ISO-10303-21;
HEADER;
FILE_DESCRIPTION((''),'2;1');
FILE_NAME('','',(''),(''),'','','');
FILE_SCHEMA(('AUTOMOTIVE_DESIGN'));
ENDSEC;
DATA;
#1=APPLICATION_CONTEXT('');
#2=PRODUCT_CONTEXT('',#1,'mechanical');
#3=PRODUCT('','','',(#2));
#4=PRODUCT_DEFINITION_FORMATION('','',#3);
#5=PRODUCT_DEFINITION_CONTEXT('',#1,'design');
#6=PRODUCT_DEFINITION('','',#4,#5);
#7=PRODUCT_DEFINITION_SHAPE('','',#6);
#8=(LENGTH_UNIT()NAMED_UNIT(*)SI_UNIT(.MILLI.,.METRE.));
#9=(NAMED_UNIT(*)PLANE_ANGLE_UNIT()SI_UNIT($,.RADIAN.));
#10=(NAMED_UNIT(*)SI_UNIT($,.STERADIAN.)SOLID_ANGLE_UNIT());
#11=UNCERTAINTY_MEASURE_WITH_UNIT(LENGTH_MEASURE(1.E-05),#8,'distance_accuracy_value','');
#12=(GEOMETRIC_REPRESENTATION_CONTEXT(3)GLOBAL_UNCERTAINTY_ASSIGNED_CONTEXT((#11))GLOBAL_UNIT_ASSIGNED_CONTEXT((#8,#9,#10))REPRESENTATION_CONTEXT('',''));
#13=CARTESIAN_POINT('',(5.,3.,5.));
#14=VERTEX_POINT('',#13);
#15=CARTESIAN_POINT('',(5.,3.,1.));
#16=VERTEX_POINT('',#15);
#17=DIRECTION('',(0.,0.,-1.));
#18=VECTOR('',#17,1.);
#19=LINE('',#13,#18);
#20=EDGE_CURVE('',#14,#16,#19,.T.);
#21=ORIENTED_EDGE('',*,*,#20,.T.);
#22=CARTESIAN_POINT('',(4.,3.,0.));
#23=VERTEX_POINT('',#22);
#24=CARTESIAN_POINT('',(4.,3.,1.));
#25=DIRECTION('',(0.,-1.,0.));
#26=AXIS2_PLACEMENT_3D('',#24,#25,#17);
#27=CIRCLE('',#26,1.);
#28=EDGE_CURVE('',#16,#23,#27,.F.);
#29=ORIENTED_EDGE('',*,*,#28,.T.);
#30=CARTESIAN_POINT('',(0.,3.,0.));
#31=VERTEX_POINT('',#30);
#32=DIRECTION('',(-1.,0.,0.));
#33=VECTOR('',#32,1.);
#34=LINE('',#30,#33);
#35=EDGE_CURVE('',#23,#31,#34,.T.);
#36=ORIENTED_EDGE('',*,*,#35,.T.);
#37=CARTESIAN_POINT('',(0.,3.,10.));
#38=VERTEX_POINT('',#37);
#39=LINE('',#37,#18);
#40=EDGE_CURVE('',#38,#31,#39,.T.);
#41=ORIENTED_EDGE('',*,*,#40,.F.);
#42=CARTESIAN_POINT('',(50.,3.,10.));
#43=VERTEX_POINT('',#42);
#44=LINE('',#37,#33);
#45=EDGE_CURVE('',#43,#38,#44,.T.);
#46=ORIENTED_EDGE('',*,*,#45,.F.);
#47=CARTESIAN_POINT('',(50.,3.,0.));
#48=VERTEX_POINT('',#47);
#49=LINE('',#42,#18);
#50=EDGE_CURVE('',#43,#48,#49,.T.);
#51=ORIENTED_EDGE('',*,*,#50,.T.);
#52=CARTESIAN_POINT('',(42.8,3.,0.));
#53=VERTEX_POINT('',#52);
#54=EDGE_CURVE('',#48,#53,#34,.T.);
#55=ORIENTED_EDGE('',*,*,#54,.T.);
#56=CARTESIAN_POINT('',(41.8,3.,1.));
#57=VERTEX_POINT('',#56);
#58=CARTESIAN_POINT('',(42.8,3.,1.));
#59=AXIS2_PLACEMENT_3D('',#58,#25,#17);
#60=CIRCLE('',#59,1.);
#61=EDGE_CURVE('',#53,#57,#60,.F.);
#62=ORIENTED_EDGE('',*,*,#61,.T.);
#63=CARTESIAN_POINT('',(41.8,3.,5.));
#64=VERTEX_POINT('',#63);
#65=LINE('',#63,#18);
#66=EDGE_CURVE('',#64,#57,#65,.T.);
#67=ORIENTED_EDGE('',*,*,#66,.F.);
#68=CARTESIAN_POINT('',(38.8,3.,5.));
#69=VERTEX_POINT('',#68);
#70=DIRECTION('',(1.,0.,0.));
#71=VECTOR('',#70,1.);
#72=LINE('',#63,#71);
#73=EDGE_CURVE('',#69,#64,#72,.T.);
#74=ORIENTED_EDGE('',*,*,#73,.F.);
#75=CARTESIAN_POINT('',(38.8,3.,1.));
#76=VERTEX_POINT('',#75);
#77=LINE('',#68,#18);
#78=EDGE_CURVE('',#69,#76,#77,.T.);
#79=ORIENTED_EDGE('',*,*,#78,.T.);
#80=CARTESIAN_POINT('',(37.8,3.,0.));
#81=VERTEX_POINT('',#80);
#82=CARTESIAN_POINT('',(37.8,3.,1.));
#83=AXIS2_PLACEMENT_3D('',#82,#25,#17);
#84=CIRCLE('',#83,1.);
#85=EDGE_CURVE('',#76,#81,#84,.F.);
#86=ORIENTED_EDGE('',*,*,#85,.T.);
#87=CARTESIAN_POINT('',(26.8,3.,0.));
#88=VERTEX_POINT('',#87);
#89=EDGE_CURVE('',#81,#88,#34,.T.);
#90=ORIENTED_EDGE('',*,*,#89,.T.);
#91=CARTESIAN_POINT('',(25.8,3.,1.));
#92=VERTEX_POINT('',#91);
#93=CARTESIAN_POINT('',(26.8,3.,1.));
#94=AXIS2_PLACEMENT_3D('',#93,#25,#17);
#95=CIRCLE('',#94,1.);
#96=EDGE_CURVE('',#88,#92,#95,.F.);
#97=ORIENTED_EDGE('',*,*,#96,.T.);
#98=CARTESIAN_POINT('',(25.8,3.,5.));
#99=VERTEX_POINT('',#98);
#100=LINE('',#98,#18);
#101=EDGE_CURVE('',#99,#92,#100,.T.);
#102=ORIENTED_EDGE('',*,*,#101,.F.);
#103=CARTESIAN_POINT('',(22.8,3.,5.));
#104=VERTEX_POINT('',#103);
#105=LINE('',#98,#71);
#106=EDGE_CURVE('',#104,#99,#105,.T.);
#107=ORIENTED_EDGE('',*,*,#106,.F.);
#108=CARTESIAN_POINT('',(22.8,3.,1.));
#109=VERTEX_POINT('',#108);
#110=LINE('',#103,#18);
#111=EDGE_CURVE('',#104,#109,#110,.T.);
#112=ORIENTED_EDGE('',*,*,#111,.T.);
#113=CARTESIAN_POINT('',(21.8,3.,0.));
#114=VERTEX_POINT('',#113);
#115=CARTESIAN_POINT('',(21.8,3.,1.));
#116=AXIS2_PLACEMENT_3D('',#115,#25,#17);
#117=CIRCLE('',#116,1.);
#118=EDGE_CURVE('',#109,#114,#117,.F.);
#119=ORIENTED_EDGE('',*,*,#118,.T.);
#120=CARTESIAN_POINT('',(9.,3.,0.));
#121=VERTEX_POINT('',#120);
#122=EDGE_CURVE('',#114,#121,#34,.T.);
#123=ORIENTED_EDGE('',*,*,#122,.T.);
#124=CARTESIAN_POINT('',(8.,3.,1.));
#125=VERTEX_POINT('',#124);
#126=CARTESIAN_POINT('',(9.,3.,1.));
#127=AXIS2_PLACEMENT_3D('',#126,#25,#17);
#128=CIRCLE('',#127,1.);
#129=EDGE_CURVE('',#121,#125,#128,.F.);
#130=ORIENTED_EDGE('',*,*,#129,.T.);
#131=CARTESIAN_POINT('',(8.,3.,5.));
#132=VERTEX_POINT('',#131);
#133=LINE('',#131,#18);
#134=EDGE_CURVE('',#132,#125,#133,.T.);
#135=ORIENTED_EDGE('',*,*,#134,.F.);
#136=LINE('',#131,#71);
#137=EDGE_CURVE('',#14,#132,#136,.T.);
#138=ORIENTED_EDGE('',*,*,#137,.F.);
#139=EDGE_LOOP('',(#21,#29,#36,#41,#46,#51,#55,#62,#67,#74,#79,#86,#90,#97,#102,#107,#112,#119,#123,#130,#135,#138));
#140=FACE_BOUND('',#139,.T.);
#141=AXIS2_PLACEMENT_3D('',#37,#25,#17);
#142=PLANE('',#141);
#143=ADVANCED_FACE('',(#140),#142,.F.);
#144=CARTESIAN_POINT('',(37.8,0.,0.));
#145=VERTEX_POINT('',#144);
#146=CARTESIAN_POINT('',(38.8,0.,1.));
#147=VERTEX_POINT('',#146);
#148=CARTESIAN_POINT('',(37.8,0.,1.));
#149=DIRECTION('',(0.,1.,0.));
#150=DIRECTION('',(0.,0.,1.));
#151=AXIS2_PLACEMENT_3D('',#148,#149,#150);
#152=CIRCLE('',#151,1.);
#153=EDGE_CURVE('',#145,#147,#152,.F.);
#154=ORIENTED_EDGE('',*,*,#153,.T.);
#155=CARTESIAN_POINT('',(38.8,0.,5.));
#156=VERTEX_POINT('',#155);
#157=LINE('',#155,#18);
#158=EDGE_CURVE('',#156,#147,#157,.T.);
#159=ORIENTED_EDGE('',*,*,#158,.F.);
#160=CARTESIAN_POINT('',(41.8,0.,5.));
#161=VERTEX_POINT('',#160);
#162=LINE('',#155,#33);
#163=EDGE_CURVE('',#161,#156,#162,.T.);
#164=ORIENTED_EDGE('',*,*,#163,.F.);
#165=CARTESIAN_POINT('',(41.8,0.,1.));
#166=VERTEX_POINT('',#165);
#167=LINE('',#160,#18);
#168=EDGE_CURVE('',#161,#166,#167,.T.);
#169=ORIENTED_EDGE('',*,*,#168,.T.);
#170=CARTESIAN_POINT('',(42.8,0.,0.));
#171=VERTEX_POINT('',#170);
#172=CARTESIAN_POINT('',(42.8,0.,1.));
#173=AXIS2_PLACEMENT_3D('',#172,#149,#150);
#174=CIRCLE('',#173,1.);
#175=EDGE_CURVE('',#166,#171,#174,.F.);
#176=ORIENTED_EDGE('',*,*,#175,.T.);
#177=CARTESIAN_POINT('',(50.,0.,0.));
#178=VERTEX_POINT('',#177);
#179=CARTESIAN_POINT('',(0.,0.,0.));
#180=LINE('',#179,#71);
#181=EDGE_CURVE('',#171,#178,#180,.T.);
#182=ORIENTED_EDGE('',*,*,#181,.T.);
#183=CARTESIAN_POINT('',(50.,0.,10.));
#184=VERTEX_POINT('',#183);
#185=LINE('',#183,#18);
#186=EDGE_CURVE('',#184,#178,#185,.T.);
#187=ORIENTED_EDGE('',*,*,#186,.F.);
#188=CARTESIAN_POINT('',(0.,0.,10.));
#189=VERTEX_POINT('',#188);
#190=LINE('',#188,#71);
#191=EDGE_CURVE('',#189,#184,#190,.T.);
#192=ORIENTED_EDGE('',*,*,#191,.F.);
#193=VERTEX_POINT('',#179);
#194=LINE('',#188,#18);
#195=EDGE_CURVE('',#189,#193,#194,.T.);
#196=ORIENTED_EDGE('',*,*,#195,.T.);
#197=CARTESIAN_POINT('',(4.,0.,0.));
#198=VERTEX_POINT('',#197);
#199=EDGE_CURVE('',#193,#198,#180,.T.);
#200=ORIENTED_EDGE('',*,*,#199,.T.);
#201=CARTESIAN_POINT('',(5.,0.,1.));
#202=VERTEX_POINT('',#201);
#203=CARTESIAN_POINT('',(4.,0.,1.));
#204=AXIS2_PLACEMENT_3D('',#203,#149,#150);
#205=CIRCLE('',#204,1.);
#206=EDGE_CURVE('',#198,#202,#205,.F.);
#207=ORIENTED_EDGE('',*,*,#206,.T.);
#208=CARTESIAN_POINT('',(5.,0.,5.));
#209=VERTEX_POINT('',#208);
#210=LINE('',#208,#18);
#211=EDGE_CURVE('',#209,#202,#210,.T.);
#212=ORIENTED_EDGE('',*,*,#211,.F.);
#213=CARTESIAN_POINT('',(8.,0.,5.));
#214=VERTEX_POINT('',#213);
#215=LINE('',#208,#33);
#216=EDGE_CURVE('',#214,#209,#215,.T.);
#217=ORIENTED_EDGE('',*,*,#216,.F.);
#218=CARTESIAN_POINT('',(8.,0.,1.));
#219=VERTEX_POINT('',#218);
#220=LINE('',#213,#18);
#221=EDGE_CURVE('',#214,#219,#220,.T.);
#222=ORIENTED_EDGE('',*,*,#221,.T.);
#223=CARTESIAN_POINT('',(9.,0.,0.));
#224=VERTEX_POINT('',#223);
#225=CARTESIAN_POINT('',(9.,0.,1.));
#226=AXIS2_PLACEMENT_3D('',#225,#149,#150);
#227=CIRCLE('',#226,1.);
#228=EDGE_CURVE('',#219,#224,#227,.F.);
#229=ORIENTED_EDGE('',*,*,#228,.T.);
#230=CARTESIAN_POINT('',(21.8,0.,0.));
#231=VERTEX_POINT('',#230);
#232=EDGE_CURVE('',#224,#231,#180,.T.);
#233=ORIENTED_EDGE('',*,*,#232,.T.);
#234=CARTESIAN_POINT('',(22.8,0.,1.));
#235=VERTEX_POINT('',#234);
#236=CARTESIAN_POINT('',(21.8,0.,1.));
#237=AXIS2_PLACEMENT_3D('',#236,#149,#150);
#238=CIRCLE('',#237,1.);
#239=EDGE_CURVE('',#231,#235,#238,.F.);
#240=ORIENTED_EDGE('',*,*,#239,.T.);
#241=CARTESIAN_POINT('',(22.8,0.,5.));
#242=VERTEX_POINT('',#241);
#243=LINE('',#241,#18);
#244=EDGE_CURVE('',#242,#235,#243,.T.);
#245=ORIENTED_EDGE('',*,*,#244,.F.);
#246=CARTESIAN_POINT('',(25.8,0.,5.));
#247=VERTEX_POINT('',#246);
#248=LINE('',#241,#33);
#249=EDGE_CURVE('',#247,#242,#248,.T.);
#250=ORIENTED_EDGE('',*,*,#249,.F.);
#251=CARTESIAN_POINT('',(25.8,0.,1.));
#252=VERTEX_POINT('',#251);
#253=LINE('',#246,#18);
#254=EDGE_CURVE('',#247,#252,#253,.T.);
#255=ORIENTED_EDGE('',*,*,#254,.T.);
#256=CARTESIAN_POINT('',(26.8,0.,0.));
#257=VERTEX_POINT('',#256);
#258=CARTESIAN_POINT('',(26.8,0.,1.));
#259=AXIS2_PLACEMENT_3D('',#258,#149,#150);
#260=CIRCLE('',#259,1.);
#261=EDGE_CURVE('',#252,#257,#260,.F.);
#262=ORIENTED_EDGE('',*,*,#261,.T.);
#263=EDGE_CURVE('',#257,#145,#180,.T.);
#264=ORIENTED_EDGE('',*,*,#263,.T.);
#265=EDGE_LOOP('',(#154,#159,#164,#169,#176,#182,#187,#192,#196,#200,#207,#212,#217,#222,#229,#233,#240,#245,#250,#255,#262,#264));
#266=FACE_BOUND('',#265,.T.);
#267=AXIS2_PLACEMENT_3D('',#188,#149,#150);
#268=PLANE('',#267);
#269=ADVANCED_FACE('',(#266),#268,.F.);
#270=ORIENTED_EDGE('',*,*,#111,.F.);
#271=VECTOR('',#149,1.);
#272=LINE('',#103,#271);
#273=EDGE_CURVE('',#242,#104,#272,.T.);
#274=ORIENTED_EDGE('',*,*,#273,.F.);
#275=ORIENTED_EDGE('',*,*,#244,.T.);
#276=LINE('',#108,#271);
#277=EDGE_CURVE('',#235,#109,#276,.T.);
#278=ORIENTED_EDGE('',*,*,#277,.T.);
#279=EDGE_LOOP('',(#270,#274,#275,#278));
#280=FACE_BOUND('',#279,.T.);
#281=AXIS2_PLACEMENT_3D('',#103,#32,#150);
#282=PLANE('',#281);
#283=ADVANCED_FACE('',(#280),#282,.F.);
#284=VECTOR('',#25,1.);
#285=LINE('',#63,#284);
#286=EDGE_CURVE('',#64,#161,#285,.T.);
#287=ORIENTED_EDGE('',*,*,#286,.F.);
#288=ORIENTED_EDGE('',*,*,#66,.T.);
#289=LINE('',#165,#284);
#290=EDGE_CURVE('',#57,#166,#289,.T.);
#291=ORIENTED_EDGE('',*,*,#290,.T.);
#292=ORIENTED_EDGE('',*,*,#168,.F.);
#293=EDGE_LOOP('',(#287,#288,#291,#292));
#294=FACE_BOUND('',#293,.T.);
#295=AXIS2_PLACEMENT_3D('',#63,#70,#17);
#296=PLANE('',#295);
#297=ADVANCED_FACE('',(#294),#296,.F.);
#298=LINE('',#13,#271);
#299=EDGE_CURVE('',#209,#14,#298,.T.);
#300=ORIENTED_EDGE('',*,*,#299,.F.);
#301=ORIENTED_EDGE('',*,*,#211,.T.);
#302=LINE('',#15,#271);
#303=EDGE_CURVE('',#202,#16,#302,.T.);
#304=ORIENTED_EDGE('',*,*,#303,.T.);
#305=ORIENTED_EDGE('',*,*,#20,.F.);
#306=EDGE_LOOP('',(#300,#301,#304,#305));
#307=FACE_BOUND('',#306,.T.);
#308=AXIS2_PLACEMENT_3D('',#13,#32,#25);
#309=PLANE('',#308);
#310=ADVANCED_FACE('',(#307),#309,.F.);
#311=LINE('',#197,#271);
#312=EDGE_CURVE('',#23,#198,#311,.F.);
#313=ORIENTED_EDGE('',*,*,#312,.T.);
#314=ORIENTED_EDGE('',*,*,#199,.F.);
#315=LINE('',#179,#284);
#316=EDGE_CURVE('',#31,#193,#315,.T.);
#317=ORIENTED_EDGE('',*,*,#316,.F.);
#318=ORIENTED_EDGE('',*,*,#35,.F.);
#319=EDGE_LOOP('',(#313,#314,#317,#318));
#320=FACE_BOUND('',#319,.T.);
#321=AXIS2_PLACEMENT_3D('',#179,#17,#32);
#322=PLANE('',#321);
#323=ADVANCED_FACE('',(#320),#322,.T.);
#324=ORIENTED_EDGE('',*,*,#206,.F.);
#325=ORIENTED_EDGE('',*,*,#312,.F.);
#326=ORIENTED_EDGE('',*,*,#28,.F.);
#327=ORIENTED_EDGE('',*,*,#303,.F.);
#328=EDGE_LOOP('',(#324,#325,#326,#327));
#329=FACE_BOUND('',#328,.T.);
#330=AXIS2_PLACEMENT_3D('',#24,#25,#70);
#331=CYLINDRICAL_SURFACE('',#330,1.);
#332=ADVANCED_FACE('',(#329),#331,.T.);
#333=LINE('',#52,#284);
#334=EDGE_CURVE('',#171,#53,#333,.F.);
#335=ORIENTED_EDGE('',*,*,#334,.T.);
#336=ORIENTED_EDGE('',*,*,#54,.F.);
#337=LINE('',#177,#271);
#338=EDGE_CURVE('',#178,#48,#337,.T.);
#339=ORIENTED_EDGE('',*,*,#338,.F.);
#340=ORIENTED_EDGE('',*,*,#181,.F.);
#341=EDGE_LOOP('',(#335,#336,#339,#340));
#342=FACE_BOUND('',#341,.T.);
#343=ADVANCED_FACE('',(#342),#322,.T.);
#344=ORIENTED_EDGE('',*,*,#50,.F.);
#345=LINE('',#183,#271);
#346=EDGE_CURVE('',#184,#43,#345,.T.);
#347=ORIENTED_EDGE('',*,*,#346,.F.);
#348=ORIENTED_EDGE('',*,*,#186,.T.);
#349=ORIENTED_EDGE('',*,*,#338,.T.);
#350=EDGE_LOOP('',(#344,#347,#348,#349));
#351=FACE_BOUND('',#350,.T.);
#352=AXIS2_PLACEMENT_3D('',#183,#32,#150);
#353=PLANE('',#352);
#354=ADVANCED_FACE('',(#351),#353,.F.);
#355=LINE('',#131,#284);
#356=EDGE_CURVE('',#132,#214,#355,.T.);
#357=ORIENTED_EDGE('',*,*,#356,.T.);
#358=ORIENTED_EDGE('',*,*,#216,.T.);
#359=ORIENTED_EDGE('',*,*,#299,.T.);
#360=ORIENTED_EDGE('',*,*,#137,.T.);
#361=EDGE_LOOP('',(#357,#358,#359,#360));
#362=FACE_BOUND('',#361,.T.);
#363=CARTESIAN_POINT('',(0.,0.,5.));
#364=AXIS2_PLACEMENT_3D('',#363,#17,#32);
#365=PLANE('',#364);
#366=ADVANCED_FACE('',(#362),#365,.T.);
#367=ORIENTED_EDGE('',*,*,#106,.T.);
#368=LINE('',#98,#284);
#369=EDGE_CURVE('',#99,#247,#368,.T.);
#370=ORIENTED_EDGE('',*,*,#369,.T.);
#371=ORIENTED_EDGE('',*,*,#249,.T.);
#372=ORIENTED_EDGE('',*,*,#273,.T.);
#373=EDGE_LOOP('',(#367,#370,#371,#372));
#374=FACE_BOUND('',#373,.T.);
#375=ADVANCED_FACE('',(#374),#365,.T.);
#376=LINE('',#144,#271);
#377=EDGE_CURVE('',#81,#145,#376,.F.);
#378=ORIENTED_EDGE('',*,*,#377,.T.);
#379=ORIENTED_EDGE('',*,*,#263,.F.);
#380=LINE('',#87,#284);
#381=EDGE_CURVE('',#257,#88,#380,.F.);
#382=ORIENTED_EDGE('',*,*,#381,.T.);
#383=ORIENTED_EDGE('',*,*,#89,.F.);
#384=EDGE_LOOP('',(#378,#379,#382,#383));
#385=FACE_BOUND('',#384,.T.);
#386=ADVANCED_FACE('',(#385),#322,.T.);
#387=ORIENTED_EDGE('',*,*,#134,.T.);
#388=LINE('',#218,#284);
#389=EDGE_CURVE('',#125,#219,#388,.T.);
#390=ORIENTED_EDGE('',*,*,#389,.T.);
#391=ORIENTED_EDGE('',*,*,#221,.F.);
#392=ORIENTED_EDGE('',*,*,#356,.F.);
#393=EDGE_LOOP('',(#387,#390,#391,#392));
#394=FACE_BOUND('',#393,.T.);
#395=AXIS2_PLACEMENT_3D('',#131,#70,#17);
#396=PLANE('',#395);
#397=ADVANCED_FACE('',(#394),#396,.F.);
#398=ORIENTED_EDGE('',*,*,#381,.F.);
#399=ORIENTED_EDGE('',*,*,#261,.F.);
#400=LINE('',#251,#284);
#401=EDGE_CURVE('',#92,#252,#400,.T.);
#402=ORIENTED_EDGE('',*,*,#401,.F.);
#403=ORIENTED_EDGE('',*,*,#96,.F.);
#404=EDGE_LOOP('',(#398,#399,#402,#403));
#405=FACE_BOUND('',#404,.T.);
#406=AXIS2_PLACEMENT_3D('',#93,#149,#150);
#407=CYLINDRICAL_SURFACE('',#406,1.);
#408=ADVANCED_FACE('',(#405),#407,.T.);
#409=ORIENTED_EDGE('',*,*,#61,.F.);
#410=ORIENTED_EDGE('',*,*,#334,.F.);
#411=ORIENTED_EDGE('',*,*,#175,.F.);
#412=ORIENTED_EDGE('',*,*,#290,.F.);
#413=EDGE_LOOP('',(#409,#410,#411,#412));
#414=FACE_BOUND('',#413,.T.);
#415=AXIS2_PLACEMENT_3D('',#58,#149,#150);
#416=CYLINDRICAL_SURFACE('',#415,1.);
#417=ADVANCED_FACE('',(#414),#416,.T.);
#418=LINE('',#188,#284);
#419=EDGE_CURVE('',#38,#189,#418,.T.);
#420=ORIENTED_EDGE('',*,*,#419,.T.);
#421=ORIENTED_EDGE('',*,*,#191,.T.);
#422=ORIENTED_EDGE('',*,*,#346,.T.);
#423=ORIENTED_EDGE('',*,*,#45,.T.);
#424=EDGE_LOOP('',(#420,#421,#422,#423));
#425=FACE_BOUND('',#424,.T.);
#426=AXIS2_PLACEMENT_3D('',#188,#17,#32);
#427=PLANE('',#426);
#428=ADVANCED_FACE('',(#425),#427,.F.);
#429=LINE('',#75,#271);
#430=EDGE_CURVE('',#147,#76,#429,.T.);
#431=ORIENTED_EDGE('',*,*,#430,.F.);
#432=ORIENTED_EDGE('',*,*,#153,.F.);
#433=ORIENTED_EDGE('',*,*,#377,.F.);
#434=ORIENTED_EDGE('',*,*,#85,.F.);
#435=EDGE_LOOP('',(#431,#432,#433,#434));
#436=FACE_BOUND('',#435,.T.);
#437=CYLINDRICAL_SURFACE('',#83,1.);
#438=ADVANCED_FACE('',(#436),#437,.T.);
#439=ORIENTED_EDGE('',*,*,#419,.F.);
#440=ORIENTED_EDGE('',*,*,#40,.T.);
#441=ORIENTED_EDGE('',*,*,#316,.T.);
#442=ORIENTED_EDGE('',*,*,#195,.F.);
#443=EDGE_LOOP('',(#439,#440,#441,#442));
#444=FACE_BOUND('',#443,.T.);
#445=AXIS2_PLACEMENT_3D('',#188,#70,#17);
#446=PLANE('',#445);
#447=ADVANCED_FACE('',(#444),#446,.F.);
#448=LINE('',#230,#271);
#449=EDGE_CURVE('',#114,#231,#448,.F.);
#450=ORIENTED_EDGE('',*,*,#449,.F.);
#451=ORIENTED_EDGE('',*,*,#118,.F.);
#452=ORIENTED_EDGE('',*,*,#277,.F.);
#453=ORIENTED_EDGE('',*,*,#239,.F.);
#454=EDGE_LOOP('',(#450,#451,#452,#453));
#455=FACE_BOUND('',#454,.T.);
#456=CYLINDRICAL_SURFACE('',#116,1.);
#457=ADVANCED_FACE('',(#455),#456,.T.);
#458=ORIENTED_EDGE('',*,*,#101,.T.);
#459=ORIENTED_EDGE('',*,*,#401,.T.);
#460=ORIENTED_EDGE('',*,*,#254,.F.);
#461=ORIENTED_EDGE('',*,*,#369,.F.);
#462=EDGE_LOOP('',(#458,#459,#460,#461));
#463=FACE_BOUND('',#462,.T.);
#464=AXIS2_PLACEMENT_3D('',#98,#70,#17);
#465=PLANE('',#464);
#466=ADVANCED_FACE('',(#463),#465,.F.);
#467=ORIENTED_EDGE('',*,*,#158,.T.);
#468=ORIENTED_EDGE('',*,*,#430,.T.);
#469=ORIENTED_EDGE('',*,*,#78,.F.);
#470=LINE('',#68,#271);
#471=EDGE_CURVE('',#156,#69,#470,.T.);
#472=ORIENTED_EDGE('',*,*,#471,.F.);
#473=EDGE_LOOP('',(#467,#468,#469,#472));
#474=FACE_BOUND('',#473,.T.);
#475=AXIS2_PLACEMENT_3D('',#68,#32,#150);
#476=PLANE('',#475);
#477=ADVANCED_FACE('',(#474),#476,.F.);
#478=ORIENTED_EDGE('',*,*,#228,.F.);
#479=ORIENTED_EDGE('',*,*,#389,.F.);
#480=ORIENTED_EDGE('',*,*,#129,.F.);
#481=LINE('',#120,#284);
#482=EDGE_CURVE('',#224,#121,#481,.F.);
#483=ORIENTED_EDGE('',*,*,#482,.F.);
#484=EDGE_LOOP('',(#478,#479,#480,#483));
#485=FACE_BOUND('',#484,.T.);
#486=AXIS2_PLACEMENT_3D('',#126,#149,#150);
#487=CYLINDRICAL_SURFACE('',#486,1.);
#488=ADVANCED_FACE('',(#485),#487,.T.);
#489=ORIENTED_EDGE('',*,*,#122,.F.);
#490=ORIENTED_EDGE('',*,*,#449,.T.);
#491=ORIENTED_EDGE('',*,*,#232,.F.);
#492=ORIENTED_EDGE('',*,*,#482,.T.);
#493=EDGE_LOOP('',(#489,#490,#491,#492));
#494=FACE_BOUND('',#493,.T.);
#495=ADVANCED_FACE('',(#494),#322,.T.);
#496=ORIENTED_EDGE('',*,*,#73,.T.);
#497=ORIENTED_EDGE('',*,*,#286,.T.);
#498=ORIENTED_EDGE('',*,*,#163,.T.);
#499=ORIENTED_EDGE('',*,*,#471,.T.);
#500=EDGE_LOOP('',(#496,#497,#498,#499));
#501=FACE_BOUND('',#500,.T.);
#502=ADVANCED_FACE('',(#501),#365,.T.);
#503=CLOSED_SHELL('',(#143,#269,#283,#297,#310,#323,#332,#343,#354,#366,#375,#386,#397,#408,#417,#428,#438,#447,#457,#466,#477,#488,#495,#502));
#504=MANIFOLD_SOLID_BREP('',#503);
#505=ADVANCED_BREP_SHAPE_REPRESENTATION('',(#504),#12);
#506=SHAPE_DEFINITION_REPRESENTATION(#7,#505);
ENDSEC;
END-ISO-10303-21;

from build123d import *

# Parameters (mm, degrees)
SKETCH1_W           = 50
SKETCH1_H           = 3
BOSS_EXTRUDE1_DEPTH = 10
SKETCH3_W           = 3
SKETCH3_H           = 3
CUT_EXTRUDE2_DEPTH  = 5
FILLET2_R           = 1


with BuildPart() as part:
    # Sketch1 → Boss-Extrude1 (new body)
    with BuildSketch(Plane.XY):
        with Locations((25, 1.5)):
            Rectangle(SKETCH1_W, SKETCH1_H)
    extrude(amount=BOSS_EXTRUDE1_DEPTH)

    # Sketch3 → Cut-Extrude2 (cut)
    with BuildSketch(Plane(origin=(0, 0, 0), x_dir=(-1, 0, 0), z_dir=(0, 0, -1))):
        with Locations((-81.3, 1.5)):
            Rectangle(SKETCH3_W, SKETCH3_H)
        with Locations((-60.3, 1.5)):
            Rectangle(SKETCH3_W, SKETCH3_H)
        with Locations((-40.3, 1.5)):
            Rectangle(SKETCH3_W, SKETCH3_H)
        with Locations((-24.3, 1.5)):
            Rectangle(SKETCH3_W, SKETCH3_H)
        with Locations((-6.5, 1.5)):
            Rectangle(SKETCH3_W, SKETCH3_H)
    extrude(amount=-CUT_EXTRUDE2_DEPTH, mode=Mode.SUBTRACT)

    # Fillet2
    fillet2_edges = [part.edges().sort_by_distance(p)[0] for p in [
        (38.8, 1.5, 0),
        (41.8, 1.5, 0),
        (22.8, 1.5, 0),
        (25.8, 1.5, 0),
        (5, 1.5, 0),
        (8, 1.5, 0),
    ]]
    fillet(fillet2_edges, radius=FILLET2_R)


solid = part.part
